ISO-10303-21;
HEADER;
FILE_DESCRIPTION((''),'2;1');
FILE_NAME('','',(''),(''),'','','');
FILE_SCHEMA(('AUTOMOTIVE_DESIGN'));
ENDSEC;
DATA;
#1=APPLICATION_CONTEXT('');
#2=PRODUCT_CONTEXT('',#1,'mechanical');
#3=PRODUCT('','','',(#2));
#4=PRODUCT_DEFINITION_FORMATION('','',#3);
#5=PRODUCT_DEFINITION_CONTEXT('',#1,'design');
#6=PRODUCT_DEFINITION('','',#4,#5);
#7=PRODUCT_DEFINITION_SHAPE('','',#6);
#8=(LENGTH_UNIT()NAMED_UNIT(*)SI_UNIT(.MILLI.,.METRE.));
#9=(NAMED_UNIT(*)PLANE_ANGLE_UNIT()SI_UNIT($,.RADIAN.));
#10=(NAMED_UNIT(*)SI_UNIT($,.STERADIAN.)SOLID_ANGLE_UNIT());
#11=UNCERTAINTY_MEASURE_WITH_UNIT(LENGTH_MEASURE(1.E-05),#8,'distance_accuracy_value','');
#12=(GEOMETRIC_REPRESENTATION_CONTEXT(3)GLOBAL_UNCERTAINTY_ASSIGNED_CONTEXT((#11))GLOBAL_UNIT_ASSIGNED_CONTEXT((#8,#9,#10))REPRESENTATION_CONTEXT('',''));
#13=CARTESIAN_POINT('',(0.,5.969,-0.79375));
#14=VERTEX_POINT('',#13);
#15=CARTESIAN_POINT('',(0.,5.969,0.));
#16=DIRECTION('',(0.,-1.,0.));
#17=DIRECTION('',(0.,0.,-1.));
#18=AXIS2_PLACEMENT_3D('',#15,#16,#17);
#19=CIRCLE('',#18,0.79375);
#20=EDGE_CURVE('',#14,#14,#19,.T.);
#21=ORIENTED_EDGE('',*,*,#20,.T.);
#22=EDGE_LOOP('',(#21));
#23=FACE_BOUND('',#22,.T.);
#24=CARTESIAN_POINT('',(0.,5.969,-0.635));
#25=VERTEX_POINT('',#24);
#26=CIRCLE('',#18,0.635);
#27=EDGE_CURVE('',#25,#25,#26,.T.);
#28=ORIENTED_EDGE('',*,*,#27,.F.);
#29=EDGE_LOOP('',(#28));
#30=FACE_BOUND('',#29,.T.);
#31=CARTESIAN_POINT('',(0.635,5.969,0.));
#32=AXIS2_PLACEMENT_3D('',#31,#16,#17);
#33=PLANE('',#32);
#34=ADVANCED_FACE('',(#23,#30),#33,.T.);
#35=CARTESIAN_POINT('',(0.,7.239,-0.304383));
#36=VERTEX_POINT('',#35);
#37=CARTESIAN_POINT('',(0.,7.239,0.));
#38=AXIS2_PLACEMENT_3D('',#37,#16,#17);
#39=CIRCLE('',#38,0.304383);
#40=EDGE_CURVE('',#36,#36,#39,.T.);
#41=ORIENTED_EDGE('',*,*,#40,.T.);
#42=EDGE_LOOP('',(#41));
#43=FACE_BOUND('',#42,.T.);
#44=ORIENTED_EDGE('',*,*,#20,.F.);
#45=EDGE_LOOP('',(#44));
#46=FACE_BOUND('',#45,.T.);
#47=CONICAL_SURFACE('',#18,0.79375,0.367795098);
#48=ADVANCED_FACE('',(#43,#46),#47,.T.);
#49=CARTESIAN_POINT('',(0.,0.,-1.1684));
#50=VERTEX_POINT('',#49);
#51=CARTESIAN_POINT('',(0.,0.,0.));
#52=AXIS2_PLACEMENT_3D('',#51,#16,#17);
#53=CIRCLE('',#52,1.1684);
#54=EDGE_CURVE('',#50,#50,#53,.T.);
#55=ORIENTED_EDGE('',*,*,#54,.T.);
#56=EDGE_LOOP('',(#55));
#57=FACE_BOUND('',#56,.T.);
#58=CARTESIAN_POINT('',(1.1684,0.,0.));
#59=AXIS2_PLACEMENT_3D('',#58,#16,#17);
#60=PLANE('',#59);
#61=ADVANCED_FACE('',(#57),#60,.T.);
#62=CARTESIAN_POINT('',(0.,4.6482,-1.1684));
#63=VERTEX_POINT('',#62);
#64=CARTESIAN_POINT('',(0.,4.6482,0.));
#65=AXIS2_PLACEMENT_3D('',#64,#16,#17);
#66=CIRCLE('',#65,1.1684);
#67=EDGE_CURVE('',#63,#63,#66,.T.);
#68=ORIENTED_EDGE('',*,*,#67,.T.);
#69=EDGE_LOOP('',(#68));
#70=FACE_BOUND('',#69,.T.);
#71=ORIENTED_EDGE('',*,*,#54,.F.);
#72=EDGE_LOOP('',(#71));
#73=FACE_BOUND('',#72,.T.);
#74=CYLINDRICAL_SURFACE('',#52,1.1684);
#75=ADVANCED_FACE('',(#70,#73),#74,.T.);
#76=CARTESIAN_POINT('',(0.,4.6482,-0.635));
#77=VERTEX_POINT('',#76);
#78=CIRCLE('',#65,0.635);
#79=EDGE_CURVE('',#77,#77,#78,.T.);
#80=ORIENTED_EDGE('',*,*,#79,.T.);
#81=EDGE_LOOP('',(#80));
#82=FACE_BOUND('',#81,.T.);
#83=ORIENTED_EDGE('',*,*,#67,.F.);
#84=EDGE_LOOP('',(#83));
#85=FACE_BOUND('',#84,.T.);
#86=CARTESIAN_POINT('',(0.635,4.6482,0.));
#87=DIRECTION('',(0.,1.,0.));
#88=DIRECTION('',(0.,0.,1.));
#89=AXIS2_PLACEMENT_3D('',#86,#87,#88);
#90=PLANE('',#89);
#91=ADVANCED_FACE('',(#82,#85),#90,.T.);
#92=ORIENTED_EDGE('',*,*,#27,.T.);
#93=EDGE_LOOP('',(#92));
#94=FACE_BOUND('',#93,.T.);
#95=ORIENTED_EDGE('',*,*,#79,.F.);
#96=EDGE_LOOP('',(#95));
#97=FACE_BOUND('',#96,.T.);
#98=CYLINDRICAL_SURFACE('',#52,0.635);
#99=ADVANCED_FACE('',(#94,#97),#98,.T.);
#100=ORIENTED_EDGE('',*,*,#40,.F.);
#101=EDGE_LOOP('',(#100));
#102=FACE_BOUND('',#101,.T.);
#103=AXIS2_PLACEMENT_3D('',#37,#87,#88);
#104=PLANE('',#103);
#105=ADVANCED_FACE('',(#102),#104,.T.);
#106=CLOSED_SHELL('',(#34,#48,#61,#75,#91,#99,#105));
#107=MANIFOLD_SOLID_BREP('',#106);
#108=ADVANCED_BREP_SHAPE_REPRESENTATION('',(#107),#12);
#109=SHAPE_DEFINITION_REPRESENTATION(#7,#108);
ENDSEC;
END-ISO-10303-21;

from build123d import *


with BuildPart() as part:
    # Sketch1 → Revolve1 (revolve)
    with BuildSketch(Plane.XY):
        Polygon((0, 0), (0, 7.239), (0.304382523, 7.239), (0.79375, 5.969), (0.635, 5.969), (0.635, 4.6482), (1.1684, 4.6482), (1.1684, 0), align=None)
    revolve(axis=Axis((0, 0, 0), (0, 1, 0)))


solid = part.part
